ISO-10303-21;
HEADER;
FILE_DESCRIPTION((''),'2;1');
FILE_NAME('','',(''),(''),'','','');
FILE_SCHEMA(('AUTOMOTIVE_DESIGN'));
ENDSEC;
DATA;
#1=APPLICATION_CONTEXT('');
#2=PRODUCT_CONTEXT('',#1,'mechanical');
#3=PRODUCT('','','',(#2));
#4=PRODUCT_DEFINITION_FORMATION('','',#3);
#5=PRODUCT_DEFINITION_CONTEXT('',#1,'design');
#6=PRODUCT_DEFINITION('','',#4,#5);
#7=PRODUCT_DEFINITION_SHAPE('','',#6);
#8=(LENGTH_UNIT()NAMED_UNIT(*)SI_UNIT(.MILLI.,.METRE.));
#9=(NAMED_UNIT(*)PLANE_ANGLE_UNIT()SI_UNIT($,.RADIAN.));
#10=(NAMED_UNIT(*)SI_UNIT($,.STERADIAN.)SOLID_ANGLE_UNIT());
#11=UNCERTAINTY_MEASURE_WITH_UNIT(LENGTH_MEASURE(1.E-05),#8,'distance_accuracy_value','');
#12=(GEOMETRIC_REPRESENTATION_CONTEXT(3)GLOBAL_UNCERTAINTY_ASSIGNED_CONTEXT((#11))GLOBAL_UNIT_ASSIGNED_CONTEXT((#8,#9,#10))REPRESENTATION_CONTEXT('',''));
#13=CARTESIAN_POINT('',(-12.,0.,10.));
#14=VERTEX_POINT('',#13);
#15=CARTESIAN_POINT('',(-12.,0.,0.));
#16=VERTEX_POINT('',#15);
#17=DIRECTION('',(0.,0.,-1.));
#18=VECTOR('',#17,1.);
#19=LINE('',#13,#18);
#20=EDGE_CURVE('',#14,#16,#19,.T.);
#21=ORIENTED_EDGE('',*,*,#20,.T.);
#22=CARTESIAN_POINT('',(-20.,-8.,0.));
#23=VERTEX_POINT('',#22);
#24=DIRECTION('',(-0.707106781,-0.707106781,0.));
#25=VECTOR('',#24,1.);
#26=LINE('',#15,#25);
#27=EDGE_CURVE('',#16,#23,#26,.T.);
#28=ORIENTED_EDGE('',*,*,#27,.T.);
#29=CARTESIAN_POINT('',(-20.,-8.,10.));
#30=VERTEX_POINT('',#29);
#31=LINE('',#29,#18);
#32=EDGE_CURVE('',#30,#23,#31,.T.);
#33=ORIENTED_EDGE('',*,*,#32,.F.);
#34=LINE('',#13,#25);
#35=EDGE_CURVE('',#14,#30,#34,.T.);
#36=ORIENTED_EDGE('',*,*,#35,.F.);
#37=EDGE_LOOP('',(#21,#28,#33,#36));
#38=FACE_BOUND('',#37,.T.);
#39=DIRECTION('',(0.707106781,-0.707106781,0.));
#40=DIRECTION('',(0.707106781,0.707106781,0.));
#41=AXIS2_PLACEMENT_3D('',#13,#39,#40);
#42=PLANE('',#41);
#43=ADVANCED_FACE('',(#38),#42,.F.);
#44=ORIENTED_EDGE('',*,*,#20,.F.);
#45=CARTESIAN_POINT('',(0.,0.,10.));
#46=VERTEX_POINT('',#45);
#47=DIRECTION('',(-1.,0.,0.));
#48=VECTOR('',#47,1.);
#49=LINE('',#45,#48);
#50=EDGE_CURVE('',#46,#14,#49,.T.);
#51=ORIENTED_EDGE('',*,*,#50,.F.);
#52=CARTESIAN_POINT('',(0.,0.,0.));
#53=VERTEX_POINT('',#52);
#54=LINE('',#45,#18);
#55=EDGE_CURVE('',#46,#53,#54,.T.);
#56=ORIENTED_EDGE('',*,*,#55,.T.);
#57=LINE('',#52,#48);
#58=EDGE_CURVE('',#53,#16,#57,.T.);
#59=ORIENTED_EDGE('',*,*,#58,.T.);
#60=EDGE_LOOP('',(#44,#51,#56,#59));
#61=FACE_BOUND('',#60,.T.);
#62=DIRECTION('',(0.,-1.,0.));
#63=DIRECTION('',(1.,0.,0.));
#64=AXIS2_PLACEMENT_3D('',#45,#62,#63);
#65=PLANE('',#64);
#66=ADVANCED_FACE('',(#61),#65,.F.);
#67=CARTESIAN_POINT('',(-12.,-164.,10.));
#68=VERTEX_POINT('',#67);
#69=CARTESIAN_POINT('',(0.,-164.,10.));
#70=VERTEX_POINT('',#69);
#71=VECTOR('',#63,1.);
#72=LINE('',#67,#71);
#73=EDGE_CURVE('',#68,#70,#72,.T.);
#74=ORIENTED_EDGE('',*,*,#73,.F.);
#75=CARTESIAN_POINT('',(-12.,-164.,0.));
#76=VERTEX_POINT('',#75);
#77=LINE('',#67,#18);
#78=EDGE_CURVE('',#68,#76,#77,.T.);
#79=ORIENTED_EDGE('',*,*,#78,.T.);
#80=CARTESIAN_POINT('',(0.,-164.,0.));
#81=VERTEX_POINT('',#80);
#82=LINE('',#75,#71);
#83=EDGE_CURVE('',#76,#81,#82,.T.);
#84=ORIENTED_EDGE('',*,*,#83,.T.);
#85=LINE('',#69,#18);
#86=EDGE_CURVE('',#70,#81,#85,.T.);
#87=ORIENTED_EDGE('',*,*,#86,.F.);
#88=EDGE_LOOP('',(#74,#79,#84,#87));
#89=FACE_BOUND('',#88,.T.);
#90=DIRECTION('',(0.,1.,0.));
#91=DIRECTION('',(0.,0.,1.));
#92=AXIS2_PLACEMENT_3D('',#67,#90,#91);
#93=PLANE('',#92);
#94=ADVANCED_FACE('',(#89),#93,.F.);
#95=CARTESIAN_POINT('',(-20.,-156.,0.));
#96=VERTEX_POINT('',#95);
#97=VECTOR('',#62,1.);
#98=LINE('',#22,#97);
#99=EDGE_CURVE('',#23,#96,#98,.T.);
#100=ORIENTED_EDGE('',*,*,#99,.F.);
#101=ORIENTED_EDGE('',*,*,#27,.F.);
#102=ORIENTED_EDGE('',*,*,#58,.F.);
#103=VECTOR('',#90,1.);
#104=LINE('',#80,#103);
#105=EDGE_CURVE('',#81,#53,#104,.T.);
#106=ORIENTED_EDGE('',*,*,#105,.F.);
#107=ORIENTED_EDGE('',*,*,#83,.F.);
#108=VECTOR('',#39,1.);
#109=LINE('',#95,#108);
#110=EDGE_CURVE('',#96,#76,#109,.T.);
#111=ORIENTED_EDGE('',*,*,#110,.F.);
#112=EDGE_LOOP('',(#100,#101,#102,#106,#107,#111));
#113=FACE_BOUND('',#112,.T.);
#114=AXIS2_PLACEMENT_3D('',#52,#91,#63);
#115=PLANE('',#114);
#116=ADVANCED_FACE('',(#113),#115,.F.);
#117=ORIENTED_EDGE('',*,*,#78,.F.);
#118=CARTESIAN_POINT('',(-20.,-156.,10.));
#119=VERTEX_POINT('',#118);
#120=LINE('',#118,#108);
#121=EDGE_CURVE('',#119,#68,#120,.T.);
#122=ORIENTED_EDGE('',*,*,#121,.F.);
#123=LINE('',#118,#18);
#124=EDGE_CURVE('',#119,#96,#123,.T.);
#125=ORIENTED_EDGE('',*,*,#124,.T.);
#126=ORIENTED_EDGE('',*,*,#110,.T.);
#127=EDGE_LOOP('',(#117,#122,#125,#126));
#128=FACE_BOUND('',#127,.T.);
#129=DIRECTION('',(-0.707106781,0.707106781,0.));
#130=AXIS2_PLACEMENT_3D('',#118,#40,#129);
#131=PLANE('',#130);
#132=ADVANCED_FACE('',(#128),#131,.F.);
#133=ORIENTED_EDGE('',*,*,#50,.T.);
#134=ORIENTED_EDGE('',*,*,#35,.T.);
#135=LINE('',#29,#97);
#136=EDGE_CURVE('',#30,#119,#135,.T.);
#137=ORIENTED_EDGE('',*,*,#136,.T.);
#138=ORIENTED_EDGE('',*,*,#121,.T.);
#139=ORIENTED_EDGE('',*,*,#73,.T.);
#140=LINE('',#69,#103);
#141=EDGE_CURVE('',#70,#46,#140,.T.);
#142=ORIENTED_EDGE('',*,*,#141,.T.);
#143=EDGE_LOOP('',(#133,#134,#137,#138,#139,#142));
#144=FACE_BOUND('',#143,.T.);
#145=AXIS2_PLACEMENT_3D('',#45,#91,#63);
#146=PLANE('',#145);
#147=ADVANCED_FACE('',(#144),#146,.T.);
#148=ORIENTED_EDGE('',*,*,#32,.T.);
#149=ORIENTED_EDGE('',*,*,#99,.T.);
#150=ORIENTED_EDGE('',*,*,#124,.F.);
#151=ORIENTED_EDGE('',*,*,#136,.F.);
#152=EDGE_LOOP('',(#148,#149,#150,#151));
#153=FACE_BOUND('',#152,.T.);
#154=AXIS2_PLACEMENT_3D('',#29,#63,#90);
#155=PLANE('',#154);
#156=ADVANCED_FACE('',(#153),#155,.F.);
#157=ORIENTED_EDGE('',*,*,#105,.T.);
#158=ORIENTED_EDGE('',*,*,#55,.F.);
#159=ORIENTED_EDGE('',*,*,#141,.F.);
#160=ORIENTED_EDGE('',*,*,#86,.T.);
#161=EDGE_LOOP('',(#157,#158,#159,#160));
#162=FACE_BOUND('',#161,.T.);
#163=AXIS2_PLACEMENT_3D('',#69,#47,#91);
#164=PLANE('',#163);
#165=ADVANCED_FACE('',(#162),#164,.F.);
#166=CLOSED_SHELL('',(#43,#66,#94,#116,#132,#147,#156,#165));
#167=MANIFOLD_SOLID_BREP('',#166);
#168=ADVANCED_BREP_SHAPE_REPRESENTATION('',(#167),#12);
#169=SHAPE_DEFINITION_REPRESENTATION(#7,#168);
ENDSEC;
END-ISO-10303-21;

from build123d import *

# Parameters (mm, degrees)
EXTRUDE_1_DEPTH = 10


with BuildPart() as part:
    # 草图1 → 凸台-拉伸1 (new body)
    with BuildSketch(Plane.XY):
        Polygon((0, 0), (-12, 0), (-20, -8), (-20, -156), (-12, -164), (0, -164), align=None)
    extrude(amount=EXTRUDE_1_DEPTH)


solid = part.part
